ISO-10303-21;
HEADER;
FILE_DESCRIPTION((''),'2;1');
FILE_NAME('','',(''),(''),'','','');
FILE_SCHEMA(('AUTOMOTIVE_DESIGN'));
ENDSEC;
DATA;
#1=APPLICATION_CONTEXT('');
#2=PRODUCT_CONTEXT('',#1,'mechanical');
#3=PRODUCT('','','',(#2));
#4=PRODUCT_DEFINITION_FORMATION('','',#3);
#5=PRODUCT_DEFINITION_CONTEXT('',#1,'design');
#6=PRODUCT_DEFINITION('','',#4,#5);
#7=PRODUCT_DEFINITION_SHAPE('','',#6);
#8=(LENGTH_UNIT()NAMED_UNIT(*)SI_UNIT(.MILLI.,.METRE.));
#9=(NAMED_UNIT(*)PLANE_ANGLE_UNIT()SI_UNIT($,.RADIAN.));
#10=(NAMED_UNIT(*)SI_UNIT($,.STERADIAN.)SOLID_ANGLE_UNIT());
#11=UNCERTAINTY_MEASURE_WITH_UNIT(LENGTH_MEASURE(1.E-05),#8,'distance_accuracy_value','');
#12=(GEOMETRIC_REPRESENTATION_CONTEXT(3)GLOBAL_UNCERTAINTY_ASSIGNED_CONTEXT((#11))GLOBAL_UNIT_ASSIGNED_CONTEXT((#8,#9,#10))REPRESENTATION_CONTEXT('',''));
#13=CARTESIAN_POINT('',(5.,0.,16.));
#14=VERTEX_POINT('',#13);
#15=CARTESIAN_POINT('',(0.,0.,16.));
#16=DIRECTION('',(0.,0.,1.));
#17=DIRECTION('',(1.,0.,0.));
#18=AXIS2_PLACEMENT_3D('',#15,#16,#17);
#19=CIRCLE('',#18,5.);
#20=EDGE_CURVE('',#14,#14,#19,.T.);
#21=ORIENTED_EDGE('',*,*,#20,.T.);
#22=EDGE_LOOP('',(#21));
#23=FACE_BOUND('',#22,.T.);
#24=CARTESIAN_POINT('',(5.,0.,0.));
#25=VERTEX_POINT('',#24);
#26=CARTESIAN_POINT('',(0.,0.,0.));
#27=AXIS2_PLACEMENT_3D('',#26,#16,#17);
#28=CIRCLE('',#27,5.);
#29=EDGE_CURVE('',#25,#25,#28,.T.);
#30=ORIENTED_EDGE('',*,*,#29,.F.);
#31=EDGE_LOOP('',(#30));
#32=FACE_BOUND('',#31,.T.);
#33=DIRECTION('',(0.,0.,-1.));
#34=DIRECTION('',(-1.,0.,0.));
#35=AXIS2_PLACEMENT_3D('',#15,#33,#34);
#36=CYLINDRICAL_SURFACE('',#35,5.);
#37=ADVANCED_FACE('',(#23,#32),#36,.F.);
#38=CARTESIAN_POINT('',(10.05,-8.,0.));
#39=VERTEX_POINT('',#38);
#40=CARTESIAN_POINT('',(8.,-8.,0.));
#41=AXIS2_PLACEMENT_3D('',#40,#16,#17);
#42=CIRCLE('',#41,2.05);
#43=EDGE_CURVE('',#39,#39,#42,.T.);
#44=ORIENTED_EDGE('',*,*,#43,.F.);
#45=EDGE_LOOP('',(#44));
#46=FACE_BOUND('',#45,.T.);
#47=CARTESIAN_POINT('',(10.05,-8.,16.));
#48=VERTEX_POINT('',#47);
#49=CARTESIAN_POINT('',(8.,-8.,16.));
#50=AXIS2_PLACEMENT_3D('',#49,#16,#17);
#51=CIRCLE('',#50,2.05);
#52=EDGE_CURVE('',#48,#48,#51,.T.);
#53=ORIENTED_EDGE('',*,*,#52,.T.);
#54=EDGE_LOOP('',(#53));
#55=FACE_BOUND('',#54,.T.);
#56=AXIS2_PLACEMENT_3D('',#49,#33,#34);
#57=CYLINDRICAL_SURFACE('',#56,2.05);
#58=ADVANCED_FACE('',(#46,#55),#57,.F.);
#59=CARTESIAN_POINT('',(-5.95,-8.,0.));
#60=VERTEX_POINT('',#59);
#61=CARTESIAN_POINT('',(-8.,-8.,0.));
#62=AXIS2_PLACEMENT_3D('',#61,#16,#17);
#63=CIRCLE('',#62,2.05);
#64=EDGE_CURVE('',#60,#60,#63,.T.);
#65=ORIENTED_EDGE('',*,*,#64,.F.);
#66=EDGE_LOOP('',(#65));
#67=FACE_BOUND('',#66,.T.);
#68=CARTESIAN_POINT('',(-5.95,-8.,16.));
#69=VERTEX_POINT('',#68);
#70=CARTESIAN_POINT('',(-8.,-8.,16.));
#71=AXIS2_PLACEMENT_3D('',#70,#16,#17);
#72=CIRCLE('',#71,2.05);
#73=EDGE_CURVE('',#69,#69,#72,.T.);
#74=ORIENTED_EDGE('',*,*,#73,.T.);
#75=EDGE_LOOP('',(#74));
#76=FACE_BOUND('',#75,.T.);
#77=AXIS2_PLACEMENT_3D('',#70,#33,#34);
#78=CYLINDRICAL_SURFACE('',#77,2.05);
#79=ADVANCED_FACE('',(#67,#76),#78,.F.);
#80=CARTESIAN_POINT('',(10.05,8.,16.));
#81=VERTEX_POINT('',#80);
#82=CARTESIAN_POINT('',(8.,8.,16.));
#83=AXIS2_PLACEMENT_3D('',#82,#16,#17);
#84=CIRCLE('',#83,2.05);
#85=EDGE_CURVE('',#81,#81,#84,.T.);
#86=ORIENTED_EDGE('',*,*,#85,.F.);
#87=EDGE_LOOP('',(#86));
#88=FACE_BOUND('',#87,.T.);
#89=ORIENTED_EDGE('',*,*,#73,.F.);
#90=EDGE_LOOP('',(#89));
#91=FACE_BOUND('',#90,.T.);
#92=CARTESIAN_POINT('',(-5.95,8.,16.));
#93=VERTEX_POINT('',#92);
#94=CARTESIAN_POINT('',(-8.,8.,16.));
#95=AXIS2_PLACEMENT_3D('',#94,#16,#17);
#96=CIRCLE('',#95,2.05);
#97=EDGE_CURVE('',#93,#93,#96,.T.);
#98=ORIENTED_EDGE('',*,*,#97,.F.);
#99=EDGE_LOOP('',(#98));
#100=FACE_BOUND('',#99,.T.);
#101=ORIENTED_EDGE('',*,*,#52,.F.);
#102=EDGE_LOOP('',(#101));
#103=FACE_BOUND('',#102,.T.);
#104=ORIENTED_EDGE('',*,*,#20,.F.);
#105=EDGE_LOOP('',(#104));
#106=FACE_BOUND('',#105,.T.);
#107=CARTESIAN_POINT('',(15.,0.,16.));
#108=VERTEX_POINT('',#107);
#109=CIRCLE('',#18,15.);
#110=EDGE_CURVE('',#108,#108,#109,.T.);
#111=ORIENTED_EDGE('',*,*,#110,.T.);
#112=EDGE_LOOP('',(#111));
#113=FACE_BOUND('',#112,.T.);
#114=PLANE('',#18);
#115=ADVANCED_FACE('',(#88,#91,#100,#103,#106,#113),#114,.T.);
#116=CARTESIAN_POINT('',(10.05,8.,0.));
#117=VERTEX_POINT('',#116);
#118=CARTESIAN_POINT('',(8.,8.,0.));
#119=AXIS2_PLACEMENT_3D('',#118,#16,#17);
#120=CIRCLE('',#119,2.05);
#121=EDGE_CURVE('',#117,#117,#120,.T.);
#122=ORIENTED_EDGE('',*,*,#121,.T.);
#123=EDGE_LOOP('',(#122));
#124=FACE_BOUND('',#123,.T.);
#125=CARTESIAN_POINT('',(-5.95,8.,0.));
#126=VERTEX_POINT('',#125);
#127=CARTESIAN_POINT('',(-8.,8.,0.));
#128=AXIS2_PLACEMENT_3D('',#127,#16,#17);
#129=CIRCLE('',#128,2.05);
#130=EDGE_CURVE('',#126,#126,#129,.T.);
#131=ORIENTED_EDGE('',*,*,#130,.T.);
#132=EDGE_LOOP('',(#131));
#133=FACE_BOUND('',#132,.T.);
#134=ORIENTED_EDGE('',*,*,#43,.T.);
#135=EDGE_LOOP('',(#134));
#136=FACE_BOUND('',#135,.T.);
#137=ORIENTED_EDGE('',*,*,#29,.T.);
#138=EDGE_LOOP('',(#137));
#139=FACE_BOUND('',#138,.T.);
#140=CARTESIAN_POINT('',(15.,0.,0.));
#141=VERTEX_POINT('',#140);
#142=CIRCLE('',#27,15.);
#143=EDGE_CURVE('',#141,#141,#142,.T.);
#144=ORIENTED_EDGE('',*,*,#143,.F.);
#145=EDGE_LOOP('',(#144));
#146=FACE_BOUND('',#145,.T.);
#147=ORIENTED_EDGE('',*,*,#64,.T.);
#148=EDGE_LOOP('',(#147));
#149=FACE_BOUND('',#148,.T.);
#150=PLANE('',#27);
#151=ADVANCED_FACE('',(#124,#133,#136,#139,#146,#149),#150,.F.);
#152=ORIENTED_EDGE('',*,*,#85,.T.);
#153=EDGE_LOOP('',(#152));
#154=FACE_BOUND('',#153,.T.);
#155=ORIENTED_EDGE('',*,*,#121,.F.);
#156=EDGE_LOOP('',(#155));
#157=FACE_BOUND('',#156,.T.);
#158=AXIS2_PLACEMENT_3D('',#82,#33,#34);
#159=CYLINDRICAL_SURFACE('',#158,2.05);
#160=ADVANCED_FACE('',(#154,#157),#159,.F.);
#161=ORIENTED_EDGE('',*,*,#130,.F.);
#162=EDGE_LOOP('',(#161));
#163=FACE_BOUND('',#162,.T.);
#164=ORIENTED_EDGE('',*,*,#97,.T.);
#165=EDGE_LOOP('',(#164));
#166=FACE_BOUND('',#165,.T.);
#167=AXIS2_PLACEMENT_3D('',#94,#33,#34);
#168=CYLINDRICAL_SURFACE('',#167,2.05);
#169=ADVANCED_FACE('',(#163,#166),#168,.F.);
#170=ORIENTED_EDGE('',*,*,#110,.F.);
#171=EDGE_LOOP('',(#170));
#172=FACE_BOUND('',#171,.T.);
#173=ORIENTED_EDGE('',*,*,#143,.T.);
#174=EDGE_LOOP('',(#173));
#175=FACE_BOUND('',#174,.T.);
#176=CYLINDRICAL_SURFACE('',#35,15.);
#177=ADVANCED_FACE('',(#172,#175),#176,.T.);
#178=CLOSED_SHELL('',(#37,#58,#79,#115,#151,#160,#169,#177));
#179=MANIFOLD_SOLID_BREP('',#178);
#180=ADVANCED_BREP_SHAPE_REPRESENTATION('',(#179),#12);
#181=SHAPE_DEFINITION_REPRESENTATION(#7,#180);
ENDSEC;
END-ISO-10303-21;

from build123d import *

# Parameters (mm, degrees)
SKETCH1_R           = 15
SKETCH1_R_2         = 2.05
SKETCH1_R_3         = 5
BOSS_EXTRUDE1_DEPTH = 16


with BuildPart() as part:
    # Sketch1 → Boss-Extrude1 (new body)
    with BuildSketch(Plane.XY):
        Circle(SKETCH1_R)
        with Locations((-8, 8)):
            Circle(SKETCH1_R_2, mode=Mode.SUBTRACT)
        with Locations((8, 8)):
            Circle(SKETCH1_R_2, mode=Mode.SUBTRACT)
        with Locations((8, -8)):
            Circle(SKETCH1_R_2, mode=Mode.SUBTRACT)
        with Locations((-8, -8)):
            Circle(SKETCH1_R_2, mode=Mode.SUBTRACT)
        Circle(SKETCH1_R_3, mode=Mode.SUBTRACT)
    extrude(amount=BOSS_EXTRUDE1_DEPTH)


solid = part.part
